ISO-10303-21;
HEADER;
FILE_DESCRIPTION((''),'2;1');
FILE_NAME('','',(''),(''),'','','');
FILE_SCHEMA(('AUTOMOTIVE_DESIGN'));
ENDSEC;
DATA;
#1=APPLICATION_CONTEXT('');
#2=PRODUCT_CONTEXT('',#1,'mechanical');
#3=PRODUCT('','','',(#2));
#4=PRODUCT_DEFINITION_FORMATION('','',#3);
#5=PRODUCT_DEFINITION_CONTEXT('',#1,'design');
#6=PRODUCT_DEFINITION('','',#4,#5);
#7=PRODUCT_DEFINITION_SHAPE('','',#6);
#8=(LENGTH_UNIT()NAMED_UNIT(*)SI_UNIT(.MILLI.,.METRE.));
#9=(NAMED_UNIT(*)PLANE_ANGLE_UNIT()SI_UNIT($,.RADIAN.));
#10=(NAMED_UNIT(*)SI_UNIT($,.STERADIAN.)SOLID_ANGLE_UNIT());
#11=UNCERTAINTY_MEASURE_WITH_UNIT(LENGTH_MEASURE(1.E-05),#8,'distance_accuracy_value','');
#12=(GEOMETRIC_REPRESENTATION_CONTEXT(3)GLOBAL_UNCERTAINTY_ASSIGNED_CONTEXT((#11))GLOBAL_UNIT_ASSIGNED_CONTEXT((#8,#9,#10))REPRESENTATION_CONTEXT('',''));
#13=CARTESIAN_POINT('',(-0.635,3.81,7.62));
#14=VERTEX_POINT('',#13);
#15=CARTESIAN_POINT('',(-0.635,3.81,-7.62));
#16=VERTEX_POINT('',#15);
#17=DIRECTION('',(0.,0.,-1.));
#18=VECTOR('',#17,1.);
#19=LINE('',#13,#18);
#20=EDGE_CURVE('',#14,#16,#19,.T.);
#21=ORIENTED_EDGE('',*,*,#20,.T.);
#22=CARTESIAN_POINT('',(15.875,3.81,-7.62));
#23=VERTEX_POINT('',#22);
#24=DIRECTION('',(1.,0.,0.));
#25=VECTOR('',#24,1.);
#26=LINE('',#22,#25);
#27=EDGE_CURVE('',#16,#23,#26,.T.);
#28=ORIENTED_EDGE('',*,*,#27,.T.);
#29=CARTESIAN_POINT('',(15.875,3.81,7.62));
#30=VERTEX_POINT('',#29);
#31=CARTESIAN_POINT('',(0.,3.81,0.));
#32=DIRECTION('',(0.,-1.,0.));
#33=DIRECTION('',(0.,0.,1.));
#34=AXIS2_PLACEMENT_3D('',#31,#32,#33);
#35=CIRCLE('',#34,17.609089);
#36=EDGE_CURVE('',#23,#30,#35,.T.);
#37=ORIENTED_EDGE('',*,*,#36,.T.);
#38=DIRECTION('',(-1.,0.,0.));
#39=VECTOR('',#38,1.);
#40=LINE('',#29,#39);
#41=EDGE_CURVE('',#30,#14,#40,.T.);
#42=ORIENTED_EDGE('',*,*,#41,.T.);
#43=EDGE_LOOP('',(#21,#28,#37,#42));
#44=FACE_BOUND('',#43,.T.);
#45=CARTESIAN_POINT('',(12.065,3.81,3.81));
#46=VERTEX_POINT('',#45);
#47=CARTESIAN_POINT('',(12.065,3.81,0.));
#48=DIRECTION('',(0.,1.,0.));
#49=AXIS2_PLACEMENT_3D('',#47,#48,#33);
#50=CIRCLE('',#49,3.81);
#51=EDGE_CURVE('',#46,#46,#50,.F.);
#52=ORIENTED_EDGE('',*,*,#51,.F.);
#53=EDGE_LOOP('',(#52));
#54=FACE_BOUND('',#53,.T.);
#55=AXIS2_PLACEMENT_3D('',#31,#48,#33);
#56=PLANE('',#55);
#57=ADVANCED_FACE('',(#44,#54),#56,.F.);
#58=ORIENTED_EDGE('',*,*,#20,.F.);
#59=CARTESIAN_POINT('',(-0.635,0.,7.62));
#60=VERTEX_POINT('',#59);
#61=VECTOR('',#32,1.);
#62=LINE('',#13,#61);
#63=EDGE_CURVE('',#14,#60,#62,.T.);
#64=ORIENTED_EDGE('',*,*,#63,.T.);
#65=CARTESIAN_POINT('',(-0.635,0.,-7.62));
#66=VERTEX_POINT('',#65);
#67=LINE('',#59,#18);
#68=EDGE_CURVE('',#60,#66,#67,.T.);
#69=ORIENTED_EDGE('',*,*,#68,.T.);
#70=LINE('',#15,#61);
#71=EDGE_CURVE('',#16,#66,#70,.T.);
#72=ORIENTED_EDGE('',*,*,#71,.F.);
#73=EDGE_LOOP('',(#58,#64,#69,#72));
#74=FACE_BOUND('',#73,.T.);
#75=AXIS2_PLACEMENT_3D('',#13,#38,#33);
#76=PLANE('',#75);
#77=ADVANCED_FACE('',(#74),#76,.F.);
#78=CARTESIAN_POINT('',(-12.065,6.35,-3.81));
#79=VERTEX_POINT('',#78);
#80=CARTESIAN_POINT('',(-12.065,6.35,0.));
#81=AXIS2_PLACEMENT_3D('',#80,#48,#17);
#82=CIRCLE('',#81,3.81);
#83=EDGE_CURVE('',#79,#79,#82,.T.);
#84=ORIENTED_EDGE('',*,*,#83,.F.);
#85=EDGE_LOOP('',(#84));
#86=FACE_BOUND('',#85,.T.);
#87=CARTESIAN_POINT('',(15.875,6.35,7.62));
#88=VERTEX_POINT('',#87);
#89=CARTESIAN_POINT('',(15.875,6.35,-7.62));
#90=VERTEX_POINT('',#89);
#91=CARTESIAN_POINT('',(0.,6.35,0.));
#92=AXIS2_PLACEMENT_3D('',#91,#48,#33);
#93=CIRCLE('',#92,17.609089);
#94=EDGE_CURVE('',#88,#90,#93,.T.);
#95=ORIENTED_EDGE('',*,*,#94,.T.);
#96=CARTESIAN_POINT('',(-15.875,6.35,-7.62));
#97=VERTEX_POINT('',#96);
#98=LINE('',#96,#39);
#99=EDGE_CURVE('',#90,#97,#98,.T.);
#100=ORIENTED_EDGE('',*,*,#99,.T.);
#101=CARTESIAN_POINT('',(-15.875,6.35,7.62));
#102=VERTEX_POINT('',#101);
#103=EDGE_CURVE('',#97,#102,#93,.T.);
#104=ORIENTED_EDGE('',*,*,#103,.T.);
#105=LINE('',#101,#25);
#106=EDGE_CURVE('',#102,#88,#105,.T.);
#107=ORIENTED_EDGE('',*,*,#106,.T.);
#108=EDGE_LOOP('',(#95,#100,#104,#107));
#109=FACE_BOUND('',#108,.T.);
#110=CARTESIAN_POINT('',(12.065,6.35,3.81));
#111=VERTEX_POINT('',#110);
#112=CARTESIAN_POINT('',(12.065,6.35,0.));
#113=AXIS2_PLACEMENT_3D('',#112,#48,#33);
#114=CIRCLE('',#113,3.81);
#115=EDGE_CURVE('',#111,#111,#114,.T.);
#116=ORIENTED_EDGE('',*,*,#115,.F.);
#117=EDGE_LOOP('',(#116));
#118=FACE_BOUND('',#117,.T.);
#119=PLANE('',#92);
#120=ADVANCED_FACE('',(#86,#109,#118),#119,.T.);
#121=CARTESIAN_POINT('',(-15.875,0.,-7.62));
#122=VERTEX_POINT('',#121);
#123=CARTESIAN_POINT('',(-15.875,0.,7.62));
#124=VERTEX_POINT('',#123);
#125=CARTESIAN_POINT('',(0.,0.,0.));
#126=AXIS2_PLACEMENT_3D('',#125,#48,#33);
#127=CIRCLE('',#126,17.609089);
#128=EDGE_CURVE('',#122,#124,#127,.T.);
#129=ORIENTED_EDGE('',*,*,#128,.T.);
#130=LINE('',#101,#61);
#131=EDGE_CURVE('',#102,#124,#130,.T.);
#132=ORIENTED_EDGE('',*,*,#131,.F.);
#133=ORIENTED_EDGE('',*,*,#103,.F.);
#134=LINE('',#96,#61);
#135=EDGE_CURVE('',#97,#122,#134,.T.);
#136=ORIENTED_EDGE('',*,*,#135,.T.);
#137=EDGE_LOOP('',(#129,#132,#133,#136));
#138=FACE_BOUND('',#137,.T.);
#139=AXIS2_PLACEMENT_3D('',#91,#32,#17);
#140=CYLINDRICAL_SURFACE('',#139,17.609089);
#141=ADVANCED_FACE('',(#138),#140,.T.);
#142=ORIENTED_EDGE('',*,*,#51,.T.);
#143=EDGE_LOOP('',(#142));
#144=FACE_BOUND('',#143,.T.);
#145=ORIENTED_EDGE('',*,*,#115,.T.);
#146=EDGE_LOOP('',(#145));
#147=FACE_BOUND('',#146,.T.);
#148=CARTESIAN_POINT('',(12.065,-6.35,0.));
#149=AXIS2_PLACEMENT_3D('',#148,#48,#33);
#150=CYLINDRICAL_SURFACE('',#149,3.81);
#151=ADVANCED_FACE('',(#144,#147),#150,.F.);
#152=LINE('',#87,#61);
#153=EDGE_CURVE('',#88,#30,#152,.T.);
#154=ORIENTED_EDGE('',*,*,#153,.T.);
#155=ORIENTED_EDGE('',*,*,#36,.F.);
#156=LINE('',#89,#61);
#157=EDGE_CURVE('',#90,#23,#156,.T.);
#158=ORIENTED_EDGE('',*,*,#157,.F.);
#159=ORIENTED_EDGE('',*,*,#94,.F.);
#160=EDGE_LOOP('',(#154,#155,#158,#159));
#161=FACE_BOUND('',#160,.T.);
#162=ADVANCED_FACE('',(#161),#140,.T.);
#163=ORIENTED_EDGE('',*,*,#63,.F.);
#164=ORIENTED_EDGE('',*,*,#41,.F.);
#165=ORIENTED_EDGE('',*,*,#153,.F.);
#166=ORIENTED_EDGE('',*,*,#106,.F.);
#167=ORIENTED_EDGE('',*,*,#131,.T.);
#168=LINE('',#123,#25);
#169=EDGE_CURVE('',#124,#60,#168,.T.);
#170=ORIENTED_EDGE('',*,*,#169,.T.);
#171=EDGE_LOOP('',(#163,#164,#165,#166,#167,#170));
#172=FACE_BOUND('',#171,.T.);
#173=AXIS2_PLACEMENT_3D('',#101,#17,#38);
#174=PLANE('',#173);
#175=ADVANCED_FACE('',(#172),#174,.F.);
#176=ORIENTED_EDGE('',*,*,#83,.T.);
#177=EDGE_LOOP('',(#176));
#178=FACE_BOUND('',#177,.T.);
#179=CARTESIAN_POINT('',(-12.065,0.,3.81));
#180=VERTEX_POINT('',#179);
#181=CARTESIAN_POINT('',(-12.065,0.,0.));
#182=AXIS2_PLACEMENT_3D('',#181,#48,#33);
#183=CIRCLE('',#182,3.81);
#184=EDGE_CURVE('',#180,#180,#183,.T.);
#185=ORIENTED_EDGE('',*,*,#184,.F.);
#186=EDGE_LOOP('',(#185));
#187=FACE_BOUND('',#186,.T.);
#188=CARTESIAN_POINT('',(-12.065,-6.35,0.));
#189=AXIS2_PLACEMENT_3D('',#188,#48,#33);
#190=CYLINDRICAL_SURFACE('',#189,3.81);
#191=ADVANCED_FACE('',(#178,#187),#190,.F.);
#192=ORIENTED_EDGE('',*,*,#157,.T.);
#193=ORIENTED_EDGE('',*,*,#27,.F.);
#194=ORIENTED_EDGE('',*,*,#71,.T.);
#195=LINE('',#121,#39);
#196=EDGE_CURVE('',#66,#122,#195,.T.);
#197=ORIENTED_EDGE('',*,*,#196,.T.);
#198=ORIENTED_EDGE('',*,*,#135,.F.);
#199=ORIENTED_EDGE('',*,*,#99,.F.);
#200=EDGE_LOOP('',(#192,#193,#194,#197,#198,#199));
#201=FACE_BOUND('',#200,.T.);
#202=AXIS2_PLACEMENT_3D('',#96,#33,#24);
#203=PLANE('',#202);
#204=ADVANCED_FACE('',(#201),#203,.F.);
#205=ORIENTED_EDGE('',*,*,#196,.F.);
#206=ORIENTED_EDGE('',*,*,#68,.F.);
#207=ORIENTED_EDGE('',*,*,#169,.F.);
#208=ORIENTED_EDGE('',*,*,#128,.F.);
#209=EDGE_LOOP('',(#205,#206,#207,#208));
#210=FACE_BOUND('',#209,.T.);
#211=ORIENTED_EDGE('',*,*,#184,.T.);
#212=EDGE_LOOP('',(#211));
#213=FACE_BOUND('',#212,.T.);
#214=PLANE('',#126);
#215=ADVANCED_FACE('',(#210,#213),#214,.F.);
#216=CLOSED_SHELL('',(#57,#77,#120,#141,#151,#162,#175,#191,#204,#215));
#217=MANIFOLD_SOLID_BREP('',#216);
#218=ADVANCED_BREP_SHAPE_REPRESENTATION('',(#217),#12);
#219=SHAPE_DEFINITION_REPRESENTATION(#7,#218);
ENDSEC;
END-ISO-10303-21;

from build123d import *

# Parameters (mm, degrees)
BOSS_EXTRUDE2_DEPTH = 6.35
SKETCH4_R           = 3.81
CUT_EXTRUDE1_DEPTH  = 12.7
CUT_EXTRUDE2_DEPTH  = 3.81


with BuildPart() as part:
    # Sketch3 → Boss-Extrude2 (new body)
    with BuildSketch(Plane(origin=(0, 0, 0), x_dir=(1, 0, 0), z_dir=(0, 1, 0))):
        with BuildLine():
            Line((-15.875, 7.62), (15.875, 7.62))
            ThreePointArc((15.875, 7.62), (17.609089272, 0), (15.875, -7.62))
            Line((15.875, -7.62), (-15.875, -7.62))
            ThreePointArc((-15.875, -7.62), (-17.609089272, 0), (-15.875, 7.62))
        make_face()
    extrude(amount=BOSS_EXTRUDE2_DEPTH)

    # Sketch4 → Cut-Extrude1 (cut)
    with BuildSketch(Plane(origin=(0, 6.35, 0), x_dir=(1, 0, 0), z_dir=(0, 1, 0))):
        with Locations((12.065, 0)):
            Circle(SKETCH4_R)
        with Locations((-12.065, 0)):
            Circle(SKETCH4_R)
    extrude(amount=-CUT_EXTRUDE1_DEPTH, mode=Mode.SUBTRACT)

    # Sketch5 → Cut-Extrude2 (cut)
    with BuildSketch(Plane.XZ):
        with BuildLine():
            Line((15.875, 7.62), (-0.635, 7.62))
            Line((-0.635, 7.62), (-0.635, -7.62))
            Line((-0.635, -7.62), (15.875, -7.62))
            ThreePointArc((15.875, -7.62), (17.609089272, 0), (15.875, 7.62))
        make_face()
    extrude(amount=-CUT_EXTRUDE2_DEPTH, mode=Mode.SUBTRACT)


solid = part.part
